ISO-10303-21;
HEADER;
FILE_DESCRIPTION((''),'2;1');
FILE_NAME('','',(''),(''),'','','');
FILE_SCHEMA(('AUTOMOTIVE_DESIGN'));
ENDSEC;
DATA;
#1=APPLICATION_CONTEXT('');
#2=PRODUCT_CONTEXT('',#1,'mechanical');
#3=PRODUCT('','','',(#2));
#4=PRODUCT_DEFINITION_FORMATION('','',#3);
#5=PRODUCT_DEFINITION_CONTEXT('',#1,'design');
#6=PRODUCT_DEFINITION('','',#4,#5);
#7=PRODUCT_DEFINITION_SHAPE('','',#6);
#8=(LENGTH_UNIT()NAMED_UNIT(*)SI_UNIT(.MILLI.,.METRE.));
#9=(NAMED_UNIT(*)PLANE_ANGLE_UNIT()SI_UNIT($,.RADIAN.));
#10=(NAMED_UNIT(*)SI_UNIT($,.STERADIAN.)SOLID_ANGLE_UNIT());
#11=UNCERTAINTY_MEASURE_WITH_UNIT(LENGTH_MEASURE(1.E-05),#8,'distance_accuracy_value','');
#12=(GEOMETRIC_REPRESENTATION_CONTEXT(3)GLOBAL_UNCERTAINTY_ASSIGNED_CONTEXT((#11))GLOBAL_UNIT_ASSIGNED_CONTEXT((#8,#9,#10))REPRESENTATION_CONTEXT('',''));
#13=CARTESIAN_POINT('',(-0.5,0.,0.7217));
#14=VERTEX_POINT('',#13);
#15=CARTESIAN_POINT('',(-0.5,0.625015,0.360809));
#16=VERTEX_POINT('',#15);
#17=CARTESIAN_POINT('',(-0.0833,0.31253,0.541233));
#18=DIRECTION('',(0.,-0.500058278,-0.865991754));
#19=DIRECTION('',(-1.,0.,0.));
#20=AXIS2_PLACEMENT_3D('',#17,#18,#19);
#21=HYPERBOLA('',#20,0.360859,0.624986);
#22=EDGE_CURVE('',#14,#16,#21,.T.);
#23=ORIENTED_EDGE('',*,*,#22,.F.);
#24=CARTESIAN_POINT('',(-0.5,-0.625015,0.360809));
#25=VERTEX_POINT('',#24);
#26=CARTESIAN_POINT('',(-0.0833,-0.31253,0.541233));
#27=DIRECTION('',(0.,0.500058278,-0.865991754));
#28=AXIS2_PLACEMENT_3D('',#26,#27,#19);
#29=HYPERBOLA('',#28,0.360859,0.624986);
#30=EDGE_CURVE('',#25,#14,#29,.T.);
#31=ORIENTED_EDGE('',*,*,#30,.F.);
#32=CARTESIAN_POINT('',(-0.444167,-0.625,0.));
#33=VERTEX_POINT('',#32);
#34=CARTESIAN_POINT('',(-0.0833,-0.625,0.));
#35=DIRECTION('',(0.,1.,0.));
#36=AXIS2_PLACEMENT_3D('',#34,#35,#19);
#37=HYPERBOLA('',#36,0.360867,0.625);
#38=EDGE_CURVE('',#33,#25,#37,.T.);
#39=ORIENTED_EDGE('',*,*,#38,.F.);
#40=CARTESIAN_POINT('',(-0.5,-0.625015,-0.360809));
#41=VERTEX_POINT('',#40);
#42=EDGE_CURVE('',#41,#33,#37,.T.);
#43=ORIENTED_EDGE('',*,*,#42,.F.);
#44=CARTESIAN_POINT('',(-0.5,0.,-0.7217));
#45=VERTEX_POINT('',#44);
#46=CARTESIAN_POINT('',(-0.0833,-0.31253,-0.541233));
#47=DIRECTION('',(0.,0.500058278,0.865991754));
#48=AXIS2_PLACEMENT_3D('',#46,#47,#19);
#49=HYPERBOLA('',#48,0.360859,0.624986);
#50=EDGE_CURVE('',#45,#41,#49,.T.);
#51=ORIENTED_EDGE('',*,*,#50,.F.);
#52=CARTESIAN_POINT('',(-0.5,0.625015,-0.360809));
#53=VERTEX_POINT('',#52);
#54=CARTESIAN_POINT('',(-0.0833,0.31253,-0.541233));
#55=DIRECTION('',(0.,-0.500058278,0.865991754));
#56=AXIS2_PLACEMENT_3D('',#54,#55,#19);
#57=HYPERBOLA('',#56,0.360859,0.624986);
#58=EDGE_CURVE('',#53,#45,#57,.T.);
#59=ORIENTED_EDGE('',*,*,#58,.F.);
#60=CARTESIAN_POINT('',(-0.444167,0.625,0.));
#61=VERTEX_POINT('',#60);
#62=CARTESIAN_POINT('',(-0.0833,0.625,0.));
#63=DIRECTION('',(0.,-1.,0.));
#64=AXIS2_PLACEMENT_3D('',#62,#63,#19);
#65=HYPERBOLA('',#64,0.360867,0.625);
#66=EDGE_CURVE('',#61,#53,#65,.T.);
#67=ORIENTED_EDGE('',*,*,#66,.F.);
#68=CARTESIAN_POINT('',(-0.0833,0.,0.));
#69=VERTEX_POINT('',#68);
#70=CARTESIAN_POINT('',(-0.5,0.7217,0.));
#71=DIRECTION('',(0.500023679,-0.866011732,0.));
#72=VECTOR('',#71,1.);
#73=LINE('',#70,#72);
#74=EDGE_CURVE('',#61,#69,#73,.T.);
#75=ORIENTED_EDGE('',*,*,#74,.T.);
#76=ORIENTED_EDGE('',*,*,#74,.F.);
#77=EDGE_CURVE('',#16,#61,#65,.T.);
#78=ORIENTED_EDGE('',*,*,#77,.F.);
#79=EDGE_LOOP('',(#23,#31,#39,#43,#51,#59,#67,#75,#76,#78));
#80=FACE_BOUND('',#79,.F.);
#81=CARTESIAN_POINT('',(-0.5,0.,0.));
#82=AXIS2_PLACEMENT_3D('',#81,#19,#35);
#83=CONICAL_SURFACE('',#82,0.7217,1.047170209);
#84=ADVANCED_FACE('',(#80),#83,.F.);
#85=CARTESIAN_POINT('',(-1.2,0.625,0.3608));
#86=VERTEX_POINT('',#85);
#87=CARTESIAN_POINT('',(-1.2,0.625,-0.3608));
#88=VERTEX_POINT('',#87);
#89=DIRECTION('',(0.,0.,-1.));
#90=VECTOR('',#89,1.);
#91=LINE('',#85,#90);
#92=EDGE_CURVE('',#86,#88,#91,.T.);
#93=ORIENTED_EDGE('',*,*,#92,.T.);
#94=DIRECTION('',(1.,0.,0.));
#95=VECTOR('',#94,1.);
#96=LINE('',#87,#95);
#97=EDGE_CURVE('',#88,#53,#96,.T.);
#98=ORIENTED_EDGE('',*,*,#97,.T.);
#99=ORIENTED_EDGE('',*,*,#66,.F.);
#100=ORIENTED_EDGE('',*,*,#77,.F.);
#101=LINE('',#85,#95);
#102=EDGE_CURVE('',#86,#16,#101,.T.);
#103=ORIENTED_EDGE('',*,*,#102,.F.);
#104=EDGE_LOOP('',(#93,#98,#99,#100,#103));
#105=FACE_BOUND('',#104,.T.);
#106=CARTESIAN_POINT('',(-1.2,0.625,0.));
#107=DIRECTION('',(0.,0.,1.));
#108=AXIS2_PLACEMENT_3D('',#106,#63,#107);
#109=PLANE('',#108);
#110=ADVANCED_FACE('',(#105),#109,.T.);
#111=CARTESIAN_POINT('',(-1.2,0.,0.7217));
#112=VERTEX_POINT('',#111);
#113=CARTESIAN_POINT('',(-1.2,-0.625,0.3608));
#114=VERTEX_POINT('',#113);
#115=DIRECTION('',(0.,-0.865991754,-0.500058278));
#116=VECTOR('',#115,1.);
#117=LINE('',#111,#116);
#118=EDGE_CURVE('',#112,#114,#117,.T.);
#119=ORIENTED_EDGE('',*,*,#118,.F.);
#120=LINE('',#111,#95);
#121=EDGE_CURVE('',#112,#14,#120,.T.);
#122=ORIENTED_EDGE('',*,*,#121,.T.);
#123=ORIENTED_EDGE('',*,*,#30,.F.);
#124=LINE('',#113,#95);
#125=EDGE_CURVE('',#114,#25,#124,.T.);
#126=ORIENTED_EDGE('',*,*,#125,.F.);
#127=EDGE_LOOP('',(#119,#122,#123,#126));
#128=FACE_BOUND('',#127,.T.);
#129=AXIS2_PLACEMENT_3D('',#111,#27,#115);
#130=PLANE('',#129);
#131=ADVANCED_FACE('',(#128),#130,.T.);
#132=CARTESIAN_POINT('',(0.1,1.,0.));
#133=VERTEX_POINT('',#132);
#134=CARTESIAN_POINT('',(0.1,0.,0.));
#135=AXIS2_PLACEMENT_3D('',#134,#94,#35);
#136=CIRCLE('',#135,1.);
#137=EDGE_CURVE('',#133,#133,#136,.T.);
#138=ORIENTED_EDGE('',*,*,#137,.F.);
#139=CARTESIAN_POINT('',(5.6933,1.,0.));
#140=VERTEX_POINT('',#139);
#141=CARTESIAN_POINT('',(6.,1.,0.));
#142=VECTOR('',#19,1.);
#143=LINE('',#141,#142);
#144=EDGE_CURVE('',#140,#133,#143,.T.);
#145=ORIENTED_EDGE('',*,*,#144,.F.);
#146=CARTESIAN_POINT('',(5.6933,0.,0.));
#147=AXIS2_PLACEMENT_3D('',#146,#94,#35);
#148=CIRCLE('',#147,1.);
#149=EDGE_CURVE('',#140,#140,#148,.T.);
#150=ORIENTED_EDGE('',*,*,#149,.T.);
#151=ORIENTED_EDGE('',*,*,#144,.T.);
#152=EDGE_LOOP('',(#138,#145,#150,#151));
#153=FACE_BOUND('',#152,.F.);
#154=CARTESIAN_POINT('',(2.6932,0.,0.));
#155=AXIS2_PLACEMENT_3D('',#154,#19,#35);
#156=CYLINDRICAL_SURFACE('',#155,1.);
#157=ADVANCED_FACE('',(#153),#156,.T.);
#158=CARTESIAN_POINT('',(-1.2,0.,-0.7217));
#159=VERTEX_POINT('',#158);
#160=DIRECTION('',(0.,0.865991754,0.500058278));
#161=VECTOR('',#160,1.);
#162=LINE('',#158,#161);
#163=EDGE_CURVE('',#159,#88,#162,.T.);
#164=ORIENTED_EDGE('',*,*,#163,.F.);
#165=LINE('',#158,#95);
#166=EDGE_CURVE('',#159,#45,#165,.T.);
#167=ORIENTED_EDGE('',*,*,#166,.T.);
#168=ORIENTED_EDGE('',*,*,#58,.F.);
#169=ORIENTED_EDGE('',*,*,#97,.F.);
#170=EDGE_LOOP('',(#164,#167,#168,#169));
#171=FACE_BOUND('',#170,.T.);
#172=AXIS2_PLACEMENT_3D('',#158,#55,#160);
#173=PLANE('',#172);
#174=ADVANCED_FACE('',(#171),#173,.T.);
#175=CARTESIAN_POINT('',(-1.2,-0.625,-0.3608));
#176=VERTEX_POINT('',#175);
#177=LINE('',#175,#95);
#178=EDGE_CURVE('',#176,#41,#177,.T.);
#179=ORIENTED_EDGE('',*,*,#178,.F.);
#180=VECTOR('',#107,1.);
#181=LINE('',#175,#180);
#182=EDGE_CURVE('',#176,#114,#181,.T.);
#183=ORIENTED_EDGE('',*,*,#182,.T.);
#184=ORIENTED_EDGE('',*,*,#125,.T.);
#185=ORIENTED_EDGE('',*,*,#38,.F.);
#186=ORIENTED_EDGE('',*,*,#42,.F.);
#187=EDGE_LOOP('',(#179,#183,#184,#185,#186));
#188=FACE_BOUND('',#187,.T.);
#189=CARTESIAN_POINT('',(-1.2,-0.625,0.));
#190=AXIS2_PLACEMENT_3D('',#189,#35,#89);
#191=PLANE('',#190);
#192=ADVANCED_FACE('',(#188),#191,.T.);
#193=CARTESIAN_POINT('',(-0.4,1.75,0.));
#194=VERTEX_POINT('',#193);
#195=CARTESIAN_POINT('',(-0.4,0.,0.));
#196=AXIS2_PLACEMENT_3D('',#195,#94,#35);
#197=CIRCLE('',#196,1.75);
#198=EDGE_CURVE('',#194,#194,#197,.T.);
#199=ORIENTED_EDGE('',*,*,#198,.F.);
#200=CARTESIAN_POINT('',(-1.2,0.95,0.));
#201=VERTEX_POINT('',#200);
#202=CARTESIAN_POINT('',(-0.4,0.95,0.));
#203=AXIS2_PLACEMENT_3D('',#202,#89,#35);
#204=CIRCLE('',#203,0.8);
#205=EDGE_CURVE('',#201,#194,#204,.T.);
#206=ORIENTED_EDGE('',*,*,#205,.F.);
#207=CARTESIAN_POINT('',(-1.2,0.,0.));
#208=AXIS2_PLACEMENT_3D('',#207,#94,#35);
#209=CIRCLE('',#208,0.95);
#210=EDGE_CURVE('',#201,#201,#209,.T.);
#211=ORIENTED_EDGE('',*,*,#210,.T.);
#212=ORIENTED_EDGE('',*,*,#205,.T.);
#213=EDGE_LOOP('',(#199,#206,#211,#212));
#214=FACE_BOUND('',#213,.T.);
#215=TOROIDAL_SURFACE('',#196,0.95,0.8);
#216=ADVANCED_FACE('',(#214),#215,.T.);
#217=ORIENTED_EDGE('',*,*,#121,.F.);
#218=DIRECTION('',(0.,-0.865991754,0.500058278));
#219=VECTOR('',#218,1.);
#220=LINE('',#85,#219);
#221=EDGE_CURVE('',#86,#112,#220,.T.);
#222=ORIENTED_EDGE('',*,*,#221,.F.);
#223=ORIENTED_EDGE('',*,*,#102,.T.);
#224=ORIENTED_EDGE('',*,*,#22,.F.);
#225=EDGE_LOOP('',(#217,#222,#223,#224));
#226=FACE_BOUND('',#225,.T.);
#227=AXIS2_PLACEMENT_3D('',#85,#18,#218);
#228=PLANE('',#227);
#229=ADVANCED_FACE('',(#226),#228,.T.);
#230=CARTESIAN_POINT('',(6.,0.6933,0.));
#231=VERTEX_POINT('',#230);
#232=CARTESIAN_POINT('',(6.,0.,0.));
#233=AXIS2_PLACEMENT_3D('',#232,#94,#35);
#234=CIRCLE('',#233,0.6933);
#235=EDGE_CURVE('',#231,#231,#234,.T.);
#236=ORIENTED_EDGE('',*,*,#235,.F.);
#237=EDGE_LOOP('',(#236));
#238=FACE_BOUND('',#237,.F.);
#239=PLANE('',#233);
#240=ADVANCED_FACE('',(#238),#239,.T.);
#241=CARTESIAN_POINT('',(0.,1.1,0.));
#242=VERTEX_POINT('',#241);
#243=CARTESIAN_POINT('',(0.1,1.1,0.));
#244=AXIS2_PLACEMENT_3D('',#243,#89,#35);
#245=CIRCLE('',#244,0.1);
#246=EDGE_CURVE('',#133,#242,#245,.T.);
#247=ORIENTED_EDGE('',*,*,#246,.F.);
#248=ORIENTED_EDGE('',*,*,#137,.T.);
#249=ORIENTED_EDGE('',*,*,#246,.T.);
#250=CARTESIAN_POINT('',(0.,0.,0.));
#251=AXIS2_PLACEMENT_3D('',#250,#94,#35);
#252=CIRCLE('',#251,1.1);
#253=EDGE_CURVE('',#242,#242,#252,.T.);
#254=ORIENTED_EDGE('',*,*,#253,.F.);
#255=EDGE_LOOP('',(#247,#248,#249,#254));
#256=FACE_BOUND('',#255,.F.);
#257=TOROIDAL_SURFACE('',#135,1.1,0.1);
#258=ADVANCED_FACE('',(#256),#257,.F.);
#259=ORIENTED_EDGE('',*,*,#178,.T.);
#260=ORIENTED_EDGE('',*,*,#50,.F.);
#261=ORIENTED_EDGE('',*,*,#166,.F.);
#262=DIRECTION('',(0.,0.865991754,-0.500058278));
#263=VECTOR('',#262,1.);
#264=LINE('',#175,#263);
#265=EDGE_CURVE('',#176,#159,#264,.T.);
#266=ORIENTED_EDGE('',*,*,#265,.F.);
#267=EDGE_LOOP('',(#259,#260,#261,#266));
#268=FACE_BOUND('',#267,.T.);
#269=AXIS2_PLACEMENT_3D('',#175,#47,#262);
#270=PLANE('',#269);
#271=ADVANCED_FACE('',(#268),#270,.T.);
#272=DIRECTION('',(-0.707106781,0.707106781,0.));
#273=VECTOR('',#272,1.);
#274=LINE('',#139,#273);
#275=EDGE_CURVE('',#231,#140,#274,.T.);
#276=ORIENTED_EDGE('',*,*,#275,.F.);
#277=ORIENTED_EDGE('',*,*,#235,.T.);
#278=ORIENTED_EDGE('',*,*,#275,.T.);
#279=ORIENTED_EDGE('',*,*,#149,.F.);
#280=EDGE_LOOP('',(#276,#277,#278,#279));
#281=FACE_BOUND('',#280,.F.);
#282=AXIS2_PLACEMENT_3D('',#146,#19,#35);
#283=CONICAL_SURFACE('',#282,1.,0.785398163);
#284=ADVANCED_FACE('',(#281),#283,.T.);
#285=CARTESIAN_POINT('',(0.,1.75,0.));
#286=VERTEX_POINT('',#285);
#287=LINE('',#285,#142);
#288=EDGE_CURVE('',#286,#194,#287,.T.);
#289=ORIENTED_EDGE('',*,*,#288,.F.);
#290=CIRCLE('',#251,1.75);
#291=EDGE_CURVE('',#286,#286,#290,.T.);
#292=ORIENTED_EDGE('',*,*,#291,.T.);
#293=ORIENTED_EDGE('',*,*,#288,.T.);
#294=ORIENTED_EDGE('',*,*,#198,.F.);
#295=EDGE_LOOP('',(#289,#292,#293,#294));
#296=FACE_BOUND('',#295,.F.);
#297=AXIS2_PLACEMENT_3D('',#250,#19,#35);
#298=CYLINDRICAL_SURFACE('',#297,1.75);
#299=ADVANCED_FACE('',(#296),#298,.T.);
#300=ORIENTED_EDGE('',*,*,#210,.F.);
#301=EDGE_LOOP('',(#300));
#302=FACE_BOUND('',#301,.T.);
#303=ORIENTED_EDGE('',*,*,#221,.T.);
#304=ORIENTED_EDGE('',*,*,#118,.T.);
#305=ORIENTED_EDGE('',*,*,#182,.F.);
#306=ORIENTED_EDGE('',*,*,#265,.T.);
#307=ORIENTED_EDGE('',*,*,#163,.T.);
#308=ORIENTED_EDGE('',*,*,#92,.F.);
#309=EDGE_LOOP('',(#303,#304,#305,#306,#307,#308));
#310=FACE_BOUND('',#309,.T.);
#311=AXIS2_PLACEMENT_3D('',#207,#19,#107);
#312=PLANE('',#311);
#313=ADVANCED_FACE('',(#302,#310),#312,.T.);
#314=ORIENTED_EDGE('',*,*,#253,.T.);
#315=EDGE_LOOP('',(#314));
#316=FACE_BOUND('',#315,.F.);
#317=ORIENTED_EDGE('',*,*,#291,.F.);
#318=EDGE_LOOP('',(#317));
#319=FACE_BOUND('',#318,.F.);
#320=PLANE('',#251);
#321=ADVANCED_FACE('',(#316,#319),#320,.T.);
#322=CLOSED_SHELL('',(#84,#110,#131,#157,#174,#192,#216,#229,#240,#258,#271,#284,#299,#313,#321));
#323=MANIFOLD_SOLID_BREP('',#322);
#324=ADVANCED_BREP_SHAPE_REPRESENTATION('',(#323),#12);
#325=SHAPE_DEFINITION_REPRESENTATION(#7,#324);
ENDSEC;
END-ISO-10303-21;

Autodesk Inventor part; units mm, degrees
ref_plane "YZ Plane" through (0, 0, 0) normal (1, 0, 0) x (0, 1, 0)
ref_plane "XZ Plane" through (0, 0, 0) normal (0, 1, 0) x (-1, 0, 0)
sketch "Sketch1" plane through (0, 0, 0) normal (0, 0, 1) x (1, 0, 0)
  line L0 (-0.0833, 0) -> (6, 0)
  line L1 (6, 0) -> (6, 1)
  line L2 (6, 1) -> (3, 1)
  line L3 (3, 1) -> (2.6932, 1)
  line L4 (2.6932, 1) -> (0, 1)
  line L5 (0, 1) -> (0, 1.75)
  line L6 (0, 1.75) -> (-1.2, 1.75)
  line L7 (-1.2, 1.75) -> (-1.2, 0.7217)
  line L8 (-1.2, 0.7217) -> (-0.5, 0.7217)
  line L9 (-0.5, 0.7217) -> (-0.0833, 0)
  line L10 (-2.64, 0) -> (7.44, 0) projected
  line L11 (0, -0.35) -> (0, 2.1) projected
  line L12 (3, 1) -> (0, 1) construction
  dimension "d1" = 3
  dimension "d2" = 0.3068
  dimension "d3" = 1.2
  dimension "d4" = 0.7
  dimension "d5" = 60
  dimension "d6" = 2
  dimension "d7" = 2
  dimension "d8" = 1.4434
  dimension "d9" = 3.5
  dimension "d26" = 6
revolve "Body" add sketch "Sketch1" angle 360 about axis through (-0.0833, 0, 0) along (1, 0, 0)
sketch "Sketch2" plane through (-1.2, 0, 0) normal (-1, 0, 0) x (0, 0, 1)
  circle A0 centre (0, 0) radius 0.7217 projected
  line L0 (0, -2.45) -> (0, 2.45) projected
  line L1 (-2.45, 0) -> (2.45, 0) projected
  line L2 (0.7217, 0) -> (0.3608, -0.625)
  line L3 (0.3608, -0.625) -> (-0.3608, -0.625)
  line L4 (-0.3608, -0.625) -> (-0.7217, 0)
  line L5 (-0.7217, 0) -> (-0.3608, 0.625)
  line L6 (-0.3608, 0.625) -> (0.3608, 0.625)
  line L7 (0.3608, 0.625) -> (0.7217, 0)
extrude "Slot" add sketch "Sketch2" against normal up to next contours L7 A0 | A0 L2 | L6 L0 A0 | A0 L0 L3 | L0 L6 A0 | A0 L3 L0 | L4 A0 | A0 L5
fillet "Fillet1" radius 0.8 1 edges at (-1.2, -1.75, 0)
chamfer "Chamfer1" distance 0.3067 distance2 0.3067 1 edges at (6, -1, 0) measured on face at (6, 0.1182, 0.3117)
ref_plane "Work Plane1" through (29, 0, 0) normal (0, -1, 0) x (1, 0, 0)
fillet "Fillet2" radius 0.1 1 edges at (0, -1, 0)
thread "Thread2" size "M2x0.4" class "6g" standard "ANSI Metric M Profile" full length
equation "\"d15\" = -0.5 * SPD + 0.5 * GD"
equation "\"d16\" = GUL"
equation "\"GD\" = NND"
equation "\"NLG\" = 6"
equation "\"GEL\" = 4.5"
equation "\"KOD\" = 5.7"
equation "\"KOH\" = 1.65"
equation "\"INTI\" = 1.04"
equation "\"GAL\" = 0.61345 * PTC"
equation "\"GUL\" = 0.61345 * PTC"
equation "\"BDM\" = NND"
equation "\"SW\" = 2"
equation "\"RR\" = 1.45"
equation "\"SPD\" = NND - 1.2269 * PTC"
equation "\"R\" = 0.3"
equation "\"TOA\" = 30deg"
equation "\"GD1\" = THREADDIA - 1.2269 * PTC"
equation "\"THREADDIA\" = 3"
equation "\"PTC\" = 0.5"
equation "\"NND\" = 3"
equation "\"KOH1\" = 0.2"
equation "\"E0\" = 2.303"
properties part number "M2x6 Bolt" material "Stainless Steel"
